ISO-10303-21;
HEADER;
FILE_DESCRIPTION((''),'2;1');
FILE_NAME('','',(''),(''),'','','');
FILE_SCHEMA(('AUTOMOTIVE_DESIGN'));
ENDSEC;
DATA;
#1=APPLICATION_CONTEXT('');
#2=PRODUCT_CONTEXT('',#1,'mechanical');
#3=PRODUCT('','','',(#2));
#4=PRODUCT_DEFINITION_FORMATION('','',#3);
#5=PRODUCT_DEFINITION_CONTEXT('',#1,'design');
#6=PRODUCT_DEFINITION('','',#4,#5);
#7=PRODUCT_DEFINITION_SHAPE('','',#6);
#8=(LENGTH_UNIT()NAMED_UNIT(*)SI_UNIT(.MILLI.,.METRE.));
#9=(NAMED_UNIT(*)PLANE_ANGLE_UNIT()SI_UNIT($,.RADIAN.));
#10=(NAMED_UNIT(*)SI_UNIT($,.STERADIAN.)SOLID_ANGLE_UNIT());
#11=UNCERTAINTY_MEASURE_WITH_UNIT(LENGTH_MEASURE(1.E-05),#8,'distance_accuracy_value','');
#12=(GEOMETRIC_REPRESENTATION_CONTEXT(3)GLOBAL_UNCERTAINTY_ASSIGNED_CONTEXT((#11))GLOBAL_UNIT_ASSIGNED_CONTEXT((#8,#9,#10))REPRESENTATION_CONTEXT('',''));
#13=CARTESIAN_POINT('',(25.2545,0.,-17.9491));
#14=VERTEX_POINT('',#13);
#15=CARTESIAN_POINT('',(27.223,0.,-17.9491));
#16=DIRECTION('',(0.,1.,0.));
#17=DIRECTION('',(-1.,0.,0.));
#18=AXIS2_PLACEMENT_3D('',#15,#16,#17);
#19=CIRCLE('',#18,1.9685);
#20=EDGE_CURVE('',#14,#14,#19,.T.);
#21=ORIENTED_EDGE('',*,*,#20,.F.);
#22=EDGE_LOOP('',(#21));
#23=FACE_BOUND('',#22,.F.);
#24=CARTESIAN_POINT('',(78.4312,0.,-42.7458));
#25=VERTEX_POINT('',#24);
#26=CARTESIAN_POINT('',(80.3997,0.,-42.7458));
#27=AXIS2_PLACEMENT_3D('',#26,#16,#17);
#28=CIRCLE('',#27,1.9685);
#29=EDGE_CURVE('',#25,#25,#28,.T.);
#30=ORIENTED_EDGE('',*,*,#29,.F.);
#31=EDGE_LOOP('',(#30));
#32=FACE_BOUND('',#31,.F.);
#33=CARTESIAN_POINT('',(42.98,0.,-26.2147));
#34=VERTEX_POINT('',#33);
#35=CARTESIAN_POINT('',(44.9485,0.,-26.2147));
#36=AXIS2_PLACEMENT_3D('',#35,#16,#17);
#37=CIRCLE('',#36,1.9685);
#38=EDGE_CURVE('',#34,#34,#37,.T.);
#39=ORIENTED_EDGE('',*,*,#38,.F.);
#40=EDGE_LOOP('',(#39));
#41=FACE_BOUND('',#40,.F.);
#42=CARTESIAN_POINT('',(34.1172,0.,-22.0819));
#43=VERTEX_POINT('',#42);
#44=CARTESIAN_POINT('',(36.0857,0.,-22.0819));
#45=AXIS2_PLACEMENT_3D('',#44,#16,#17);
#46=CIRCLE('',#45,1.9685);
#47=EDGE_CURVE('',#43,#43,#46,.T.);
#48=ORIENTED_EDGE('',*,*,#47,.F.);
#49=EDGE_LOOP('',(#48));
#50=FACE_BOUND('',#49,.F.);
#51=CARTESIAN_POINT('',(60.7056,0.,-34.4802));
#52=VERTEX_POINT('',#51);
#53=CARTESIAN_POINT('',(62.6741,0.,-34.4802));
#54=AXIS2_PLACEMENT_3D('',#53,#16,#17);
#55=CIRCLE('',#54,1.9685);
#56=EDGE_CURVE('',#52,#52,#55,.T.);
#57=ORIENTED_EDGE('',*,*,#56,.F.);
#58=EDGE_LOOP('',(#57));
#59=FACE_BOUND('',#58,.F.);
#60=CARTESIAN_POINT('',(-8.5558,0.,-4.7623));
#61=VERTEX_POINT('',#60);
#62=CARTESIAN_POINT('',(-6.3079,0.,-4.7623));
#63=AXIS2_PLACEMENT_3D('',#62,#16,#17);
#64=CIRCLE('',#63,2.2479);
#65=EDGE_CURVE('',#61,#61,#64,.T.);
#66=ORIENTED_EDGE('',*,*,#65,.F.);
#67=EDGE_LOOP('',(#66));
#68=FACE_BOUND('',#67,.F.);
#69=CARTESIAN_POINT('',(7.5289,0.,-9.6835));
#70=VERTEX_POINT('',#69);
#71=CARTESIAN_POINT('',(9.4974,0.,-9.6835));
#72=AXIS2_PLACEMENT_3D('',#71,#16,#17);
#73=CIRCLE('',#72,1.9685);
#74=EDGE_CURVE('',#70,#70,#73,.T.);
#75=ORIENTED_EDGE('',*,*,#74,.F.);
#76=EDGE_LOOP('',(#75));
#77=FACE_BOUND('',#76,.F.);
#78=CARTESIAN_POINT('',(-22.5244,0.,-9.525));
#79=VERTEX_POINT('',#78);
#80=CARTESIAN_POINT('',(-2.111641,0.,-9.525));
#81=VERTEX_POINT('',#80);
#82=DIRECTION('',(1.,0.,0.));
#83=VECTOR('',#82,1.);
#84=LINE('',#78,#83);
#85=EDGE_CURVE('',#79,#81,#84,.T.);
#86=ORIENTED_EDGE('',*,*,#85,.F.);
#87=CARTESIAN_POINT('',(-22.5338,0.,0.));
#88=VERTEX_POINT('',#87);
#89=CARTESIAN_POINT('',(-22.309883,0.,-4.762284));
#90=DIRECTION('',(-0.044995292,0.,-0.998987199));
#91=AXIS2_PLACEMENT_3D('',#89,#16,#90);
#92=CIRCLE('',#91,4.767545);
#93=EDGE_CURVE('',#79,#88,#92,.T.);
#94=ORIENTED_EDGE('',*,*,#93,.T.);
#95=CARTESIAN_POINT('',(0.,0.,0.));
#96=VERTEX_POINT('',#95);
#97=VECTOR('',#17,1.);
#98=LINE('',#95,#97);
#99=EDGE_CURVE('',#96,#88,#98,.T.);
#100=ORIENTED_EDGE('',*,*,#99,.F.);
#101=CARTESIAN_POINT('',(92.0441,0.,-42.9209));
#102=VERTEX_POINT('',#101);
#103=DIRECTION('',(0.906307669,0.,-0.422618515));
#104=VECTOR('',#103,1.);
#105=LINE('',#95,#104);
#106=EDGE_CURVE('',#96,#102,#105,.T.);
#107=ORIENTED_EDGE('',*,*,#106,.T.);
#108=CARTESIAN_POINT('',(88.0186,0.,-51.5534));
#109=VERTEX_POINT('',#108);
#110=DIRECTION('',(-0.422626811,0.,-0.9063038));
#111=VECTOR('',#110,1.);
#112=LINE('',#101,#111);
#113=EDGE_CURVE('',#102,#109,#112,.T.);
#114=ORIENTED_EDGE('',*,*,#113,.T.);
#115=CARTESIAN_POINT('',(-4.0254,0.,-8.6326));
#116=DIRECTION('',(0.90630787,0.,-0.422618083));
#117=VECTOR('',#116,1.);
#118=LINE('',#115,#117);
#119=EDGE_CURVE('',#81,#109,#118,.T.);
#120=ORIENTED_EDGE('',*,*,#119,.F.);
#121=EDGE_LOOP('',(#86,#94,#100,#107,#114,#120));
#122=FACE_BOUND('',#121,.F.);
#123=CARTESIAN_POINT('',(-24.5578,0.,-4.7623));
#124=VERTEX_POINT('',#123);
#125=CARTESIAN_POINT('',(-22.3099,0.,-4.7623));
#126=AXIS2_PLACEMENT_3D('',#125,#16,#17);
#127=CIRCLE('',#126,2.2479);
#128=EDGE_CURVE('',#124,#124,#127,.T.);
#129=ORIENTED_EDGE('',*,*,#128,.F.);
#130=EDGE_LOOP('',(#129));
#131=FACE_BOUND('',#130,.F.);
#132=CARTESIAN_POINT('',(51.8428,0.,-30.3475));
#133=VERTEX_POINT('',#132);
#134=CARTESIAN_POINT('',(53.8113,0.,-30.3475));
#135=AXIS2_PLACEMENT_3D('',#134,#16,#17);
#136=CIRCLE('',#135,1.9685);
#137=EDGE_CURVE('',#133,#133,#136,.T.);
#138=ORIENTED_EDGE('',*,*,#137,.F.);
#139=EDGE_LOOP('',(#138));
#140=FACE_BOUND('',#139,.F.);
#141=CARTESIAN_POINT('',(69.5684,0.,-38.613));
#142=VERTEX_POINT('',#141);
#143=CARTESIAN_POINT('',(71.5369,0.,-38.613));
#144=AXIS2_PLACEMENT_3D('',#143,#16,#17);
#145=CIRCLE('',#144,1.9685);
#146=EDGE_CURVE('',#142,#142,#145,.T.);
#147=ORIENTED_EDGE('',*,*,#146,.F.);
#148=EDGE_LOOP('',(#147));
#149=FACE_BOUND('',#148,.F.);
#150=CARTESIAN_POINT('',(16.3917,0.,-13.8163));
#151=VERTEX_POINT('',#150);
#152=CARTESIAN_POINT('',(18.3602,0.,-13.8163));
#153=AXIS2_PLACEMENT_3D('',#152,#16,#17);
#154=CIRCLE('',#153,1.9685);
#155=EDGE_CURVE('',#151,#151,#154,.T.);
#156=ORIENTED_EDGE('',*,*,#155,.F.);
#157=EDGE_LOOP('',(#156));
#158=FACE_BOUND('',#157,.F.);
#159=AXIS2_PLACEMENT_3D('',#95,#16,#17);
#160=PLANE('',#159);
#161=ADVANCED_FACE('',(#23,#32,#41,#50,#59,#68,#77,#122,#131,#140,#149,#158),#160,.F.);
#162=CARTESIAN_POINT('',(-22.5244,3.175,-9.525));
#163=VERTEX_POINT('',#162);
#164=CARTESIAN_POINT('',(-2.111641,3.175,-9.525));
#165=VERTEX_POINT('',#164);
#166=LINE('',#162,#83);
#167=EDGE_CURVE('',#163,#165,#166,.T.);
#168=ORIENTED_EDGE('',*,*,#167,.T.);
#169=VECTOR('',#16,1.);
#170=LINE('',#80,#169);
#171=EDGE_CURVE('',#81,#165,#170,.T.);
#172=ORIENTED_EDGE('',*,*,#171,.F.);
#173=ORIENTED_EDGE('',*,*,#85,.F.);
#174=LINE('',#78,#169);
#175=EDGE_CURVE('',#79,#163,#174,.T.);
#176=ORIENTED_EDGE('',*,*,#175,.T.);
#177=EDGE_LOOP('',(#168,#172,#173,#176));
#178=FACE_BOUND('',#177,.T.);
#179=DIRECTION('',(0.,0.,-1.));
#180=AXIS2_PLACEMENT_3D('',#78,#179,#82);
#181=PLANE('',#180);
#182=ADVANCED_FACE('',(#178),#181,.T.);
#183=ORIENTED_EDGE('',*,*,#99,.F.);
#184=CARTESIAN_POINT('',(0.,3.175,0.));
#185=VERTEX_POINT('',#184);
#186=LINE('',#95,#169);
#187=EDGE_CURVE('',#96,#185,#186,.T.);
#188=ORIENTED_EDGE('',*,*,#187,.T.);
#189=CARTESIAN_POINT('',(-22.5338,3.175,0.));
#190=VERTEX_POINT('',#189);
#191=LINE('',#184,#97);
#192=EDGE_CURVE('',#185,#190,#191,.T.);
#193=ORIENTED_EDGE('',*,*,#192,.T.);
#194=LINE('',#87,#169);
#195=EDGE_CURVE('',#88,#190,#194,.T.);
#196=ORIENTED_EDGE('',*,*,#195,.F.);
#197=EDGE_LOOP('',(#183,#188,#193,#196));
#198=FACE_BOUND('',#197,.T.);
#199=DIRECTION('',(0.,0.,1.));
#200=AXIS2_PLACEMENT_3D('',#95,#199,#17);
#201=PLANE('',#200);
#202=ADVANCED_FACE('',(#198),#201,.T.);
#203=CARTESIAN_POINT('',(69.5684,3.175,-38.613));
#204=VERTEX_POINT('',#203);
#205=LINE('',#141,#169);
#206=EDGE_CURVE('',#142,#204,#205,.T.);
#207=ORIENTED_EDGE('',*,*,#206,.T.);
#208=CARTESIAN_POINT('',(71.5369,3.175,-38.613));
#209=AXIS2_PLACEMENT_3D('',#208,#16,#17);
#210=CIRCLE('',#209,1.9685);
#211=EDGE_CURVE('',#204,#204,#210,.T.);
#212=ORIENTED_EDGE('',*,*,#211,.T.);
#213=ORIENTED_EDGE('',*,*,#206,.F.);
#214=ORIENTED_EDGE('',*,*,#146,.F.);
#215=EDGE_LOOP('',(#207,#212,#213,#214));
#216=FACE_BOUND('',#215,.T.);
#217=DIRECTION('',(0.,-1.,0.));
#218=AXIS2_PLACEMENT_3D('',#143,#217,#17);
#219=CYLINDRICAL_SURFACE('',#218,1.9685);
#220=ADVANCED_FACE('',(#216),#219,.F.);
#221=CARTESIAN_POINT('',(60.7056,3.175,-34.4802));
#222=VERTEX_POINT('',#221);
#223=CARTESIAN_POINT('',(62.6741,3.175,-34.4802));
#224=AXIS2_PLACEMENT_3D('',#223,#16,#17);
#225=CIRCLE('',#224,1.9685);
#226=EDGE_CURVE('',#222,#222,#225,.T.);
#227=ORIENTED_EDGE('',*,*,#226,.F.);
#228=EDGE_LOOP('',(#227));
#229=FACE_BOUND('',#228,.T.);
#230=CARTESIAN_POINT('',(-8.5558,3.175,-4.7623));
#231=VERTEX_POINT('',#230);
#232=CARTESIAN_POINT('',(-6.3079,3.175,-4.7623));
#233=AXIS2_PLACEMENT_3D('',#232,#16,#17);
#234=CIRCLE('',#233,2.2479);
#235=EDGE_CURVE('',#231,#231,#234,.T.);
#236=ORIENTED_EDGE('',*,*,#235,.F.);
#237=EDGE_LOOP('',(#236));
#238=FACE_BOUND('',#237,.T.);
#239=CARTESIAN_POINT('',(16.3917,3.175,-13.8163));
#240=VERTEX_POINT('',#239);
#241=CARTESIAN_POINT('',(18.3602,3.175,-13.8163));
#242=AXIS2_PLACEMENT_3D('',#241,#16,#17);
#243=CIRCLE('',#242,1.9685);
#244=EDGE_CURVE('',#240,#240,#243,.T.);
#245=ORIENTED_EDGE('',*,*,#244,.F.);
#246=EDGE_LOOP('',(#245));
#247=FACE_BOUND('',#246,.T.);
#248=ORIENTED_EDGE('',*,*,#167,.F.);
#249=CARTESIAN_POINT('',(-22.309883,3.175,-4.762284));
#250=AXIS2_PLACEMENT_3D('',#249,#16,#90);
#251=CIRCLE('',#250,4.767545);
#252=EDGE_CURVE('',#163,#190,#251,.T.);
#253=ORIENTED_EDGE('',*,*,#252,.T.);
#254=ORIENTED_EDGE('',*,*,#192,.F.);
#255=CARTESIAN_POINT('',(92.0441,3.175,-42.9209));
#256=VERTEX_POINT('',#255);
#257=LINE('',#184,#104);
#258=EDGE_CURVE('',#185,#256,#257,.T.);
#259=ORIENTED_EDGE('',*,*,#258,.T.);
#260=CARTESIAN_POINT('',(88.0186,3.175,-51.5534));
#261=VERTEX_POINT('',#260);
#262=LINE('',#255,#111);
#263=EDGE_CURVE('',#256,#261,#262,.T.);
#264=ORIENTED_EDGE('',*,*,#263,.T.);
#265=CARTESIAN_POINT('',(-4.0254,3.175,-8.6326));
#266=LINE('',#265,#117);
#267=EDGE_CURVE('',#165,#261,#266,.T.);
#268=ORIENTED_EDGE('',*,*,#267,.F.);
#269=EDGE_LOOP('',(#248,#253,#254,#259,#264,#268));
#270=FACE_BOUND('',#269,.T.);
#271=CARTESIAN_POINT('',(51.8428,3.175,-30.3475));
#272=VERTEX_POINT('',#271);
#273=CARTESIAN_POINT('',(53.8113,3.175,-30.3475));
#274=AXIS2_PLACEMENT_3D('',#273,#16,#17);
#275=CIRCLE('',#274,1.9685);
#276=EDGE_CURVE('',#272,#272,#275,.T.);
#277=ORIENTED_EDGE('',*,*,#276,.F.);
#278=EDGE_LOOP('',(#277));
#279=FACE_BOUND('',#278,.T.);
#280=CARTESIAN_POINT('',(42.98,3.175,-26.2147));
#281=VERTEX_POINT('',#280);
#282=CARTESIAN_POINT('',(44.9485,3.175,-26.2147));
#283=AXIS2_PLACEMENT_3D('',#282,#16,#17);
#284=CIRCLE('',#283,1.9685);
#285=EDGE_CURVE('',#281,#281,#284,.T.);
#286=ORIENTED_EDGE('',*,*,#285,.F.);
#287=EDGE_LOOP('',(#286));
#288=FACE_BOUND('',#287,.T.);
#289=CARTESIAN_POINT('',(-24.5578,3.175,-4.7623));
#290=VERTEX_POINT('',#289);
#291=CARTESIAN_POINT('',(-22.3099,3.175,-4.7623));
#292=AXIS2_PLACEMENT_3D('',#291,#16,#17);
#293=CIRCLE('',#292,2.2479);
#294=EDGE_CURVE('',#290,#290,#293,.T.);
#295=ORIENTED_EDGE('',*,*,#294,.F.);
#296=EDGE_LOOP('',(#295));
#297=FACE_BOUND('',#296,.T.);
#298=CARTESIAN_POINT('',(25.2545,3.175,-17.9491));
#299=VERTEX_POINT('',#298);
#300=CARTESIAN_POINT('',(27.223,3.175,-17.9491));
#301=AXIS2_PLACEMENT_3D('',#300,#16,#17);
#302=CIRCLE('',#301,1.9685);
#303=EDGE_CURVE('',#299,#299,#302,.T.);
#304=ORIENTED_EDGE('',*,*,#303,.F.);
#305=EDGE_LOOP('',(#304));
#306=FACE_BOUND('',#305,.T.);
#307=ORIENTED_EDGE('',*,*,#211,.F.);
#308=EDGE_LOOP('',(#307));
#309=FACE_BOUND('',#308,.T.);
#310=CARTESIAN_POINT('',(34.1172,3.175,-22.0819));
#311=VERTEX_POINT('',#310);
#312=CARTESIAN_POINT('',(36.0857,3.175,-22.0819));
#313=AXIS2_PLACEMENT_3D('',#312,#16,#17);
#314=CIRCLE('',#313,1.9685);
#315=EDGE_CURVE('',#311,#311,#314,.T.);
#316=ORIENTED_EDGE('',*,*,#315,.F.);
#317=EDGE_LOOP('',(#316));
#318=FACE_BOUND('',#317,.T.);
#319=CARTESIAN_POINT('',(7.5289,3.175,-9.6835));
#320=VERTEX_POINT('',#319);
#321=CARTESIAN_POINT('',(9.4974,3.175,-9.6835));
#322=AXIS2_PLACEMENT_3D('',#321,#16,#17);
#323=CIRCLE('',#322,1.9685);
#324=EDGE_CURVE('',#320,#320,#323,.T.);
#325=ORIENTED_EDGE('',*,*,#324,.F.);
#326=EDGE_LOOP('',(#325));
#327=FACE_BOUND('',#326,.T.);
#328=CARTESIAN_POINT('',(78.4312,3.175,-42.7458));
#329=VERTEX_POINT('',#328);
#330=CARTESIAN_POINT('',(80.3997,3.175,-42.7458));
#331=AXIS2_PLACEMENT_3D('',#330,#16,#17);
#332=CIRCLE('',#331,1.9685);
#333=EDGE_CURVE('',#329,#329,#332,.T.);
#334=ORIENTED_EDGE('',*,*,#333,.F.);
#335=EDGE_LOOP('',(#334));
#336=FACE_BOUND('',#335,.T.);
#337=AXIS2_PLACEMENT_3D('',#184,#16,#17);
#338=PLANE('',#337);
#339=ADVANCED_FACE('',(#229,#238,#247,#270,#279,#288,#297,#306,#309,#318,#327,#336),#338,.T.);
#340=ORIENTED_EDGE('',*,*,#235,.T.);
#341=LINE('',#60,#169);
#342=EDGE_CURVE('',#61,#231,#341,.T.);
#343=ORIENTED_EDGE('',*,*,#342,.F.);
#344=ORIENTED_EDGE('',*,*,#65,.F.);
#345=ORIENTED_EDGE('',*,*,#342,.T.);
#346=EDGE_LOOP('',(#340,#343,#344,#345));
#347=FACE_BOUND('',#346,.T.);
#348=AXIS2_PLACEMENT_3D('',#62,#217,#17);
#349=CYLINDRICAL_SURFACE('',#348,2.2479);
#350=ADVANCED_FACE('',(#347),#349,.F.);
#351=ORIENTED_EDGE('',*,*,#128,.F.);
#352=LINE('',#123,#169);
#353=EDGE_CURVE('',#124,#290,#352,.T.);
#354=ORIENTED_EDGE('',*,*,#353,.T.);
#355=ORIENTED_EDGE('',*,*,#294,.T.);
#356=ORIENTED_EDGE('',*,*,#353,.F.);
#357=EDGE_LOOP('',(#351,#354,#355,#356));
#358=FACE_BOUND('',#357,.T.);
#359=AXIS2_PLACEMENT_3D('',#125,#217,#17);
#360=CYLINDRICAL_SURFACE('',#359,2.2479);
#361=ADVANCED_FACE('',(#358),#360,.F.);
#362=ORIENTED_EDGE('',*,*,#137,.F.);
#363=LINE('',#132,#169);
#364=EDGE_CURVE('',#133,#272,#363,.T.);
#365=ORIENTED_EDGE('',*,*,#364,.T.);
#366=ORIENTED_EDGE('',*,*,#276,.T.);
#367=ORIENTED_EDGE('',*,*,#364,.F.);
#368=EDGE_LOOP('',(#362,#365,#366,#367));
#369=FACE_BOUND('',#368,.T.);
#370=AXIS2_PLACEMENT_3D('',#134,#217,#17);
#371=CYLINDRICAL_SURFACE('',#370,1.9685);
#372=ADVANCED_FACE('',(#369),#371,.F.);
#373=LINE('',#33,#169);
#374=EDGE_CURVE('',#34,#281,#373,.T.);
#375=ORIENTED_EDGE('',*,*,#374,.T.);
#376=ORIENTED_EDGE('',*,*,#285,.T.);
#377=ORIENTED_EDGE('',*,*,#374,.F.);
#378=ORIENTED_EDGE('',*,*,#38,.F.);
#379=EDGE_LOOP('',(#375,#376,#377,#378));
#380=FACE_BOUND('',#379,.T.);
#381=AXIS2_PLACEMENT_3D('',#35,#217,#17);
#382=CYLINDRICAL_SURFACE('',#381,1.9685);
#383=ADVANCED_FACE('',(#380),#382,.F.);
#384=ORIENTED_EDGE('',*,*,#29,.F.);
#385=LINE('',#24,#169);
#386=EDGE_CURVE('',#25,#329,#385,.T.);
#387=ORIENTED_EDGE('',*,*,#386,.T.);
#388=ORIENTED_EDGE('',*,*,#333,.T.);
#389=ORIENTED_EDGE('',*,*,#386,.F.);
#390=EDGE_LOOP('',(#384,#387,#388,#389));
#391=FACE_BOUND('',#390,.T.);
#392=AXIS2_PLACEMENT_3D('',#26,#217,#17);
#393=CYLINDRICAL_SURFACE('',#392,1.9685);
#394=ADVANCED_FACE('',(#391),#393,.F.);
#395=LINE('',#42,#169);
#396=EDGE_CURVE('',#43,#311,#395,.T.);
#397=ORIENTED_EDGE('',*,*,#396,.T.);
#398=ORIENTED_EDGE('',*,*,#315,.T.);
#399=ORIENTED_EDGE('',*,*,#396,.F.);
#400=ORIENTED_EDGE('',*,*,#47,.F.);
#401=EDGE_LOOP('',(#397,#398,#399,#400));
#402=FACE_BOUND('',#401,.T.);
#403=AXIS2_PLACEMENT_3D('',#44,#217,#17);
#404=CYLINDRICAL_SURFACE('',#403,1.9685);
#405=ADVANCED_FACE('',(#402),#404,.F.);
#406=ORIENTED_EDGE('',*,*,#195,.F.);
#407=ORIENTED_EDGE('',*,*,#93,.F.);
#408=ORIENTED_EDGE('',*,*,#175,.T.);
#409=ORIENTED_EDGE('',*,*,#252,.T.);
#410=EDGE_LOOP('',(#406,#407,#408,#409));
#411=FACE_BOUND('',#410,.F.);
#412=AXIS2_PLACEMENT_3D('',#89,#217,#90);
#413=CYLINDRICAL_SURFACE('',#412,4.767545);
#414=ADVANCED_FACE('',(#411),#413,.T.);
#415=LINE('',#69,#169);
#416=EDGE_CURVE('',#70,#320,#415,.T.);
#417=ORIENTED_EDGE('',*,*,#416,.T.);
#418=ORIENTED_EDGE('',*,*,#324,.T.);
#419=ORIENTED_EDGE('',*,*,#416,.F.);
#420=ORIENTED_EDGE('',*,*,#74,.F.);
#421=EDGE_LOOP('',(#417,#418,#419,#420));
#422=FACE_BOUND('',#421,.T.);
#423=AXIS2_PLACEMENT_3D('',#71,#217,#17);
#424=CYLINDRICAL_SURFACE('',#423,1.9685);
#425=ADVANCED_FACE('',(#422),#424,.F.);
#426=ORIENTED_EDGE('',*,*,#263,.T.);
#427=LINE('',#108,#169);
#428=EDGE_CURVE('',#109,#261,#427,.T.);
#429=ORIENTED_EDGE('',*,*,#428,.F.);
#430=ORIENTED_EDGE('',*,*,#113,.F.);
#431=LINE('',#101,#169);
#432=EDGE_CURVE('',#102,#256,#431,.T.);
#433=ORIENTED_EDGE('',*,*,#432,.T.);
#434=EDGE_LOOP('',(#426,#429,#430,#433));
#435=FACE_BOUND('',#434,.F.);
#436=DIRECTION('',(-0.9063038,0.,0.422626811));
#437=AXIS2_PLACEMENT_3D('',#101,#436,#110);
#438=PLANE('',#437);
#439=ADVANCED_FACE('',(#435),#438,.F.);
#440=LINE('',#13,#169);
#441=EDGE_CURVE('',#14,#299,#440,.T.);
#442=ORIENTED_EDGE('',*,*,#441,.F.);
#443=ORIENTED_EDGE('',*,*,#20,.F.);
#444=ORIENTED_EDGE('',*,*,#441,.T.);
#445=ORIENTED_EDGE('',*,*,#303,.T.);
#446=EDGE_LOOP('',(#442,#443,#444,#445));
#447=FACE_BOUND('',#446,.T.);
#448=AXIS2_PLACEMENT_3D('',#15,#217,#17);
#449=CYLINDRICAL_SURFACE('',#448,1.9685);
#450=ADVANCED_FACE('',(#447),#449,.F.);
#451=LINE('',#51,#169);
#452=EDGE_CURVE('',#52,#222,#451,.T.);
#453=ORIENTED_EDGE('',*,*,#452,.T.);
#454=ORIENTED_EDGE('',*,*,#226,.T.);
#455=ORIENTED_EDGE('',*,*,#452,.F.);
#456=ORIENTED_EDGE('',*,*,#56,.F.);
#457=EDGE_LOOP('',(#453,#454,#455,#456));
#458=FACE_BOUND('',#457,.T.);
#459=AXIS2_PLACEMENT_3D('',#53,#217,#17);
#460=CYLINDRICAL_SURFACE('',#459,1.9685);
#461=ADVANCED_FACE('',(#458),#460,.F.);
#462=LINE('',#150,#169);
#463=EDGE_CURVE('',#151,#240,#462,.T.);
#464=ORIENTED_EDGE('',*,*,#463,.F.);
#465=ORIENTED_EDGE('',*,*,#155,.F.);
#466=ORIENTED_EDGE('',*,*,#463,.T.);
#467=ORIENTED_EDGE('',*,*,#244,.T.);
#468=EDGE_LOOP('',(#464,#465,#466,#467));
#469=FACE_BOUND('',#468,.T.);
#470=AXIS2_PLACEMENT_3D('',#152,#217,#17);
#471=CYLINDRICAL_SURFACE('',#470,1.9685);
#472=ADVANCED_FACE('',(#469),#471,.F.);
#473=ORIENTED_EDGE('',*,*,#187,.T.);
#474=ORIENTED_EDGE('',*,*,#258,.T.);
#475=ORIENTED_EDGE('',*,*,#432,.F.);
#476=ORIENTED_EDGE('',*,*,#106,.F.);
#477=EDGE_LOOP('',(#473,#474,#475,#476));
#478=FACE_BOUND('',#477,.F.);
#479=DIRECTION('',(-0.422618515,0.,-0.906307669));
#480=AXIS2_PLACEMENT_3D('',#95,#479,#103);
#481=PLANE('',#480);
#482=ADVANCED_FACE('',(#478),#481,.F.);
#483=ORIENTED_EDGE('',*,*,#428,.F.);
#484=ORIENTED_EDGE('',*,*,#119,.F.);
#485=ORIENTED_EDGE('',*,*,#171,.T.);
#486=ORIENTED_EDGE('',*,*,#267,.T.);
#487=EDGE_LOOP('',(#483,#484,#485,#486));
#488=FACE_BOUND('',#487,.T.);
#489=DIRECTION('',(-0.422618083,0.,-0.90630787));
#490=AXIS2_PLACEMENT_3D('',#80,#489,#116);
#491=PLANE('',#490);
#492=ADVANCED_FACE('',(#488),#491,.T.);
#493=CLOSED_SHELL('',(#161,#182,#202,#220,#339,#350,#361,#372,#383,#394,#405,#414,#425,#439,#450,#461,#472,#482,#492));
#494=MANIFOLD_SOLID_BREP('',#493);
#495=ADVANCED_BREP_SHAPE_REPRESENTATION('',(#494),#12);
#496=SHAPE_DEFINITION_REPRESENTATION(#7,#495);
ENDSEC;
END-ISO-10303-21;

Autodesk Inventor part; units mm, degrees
ref_plane "YZ Plane" through (0, 0, 0) normal (1, 0, 0) x (0, 1, 0)
ref_plane "XZ Plane" through (0, 0, 0) normal (0, 1, 0) x (-1, 0, 0)
ref_plane "XY Plane" through (0, 0, 0) normal (0, 0, 1) x (1, 0, 0)
sketch "Sketch1" plane through (0, 0, 0) normal (0, 1, 0) x (-1, 0, 0)
  line L0 (0, 0) -> (22.5338, 0)
  line L1 (22.5244, -9.525) -> (-0.0054, -9.525)
  line L2 (-0.0054, -9.525) -> (0, 0)
  arc A0 (22.5244, -9.525) -> (22.5338, 0) centre (22.3099, -4.7623) ccw
  line L3 (0, 0) -> (-92.0441, -42.9209)
  line L4 (0, 0) -> (101.5594, 0) construction
  line L5 (-92.0441, -42.9209) -> (-88.0186, -51.5534)
  line L6 (0, 0) -> (4.0254, -8.6326)
  line L7 (4.0254, -8.6326) -> (-88.0186, -51.5534)
  circle A1 centre (22.3099, -4.7623) radius 2.2479
  line L8 (22.3099, -4.7623) -> (6.3079, -4.7623) construction
  circle A2 centre (6.3079, -4.7623) radius 2.2479
  line L9 (2.0127, -4.3163) -> (-9.4974, -9.6835) construction
  circle A3 centre (-9.4974, -9.6835) radius 1.9685
  line L10 (2.0127, -4.3163) -> (-90.0313, -47.2371) construction
  circle A4 centre (-18.3602, -13.8163) radius 1.9685
  circle A5 centre (-27.223, -17.9491) radius 1.9685
  circle A6 centre (-36.0857, -22.0819) radius 1.9685
  circle A7 centre (-44.9485, -26.2147) radius 1.9685
  circle A8 centre (-53.8113, -30.3475) radius 1.9685
  circle A9 centre (-62.6741, -34.4802) radius 1.9685
  circle A10 centre (-71.5369, -38.613) radius 1.9685
  circle A11 centre (-80.3997, -42.7458) radius 1.9685
  line L11 (22.3099, -4.7623) -> (6.1972, -4.7623) construction
  line L12 (6.1972, -4.7623) -> (6.1972, 11.2397) construction
  line L13 (6.1972, 11.2397) -> (22.3099, 11.2397) construction
  line L14 (22.3099, 11.2397) -> (22.3099, -4.7623) construction
  line L15 (14.2536, 11.2397) -> (14.2536, -4.7623) construction
  line L16 (22.3099, 3.2387) -> (6.1972, 3.2387) construction
  circle A12 centre (14.2536, 3.2387) radius 1.27 construction
  dimension "d0" = 22.5298
  dimension "d1" = 9.525
  dimension "d2" = 4.7675
  dimension "d4" = 155
  dimension "d7" = 9.525
  dimension "d8" = 9.525
  dimension "d9" = 4.4958
  dimension "d10" = 16.002
  dimension "d11" = 4.4958
  dimension "d12" = 12.7
  dimension "d13" = 3.937
  dimension "d14" = 4.7625
  dimension "d15" = 3.937
  dimension "d16" = 9.779
  dimension "d17" = 3.937
  dimension "d18" = 9.779
  dimension "d19" = 3.937
  dimension "d20" = 9.779
  dimension "d21" = 3.937
  dimension "d22" = 9.779
  dimension "d23" = 3.937
  dimension "d24" = 9.779
  dimension "d25" = 3.937
  dimension "d26" = 9.779
  dimension "d27" = 3.937
  dimension "d28" = 9.779
  dimension "d29" = 3.937
  dimension "d30" = 9.779
  dimension "d31" = 16.002
  dimension "d32" = 2.54
  dimension "d33" = 115.8874
extrude "Extrusion1" add sketch "Sketch1" along normal blind 3.175
properties part number "CollectorArm155"
